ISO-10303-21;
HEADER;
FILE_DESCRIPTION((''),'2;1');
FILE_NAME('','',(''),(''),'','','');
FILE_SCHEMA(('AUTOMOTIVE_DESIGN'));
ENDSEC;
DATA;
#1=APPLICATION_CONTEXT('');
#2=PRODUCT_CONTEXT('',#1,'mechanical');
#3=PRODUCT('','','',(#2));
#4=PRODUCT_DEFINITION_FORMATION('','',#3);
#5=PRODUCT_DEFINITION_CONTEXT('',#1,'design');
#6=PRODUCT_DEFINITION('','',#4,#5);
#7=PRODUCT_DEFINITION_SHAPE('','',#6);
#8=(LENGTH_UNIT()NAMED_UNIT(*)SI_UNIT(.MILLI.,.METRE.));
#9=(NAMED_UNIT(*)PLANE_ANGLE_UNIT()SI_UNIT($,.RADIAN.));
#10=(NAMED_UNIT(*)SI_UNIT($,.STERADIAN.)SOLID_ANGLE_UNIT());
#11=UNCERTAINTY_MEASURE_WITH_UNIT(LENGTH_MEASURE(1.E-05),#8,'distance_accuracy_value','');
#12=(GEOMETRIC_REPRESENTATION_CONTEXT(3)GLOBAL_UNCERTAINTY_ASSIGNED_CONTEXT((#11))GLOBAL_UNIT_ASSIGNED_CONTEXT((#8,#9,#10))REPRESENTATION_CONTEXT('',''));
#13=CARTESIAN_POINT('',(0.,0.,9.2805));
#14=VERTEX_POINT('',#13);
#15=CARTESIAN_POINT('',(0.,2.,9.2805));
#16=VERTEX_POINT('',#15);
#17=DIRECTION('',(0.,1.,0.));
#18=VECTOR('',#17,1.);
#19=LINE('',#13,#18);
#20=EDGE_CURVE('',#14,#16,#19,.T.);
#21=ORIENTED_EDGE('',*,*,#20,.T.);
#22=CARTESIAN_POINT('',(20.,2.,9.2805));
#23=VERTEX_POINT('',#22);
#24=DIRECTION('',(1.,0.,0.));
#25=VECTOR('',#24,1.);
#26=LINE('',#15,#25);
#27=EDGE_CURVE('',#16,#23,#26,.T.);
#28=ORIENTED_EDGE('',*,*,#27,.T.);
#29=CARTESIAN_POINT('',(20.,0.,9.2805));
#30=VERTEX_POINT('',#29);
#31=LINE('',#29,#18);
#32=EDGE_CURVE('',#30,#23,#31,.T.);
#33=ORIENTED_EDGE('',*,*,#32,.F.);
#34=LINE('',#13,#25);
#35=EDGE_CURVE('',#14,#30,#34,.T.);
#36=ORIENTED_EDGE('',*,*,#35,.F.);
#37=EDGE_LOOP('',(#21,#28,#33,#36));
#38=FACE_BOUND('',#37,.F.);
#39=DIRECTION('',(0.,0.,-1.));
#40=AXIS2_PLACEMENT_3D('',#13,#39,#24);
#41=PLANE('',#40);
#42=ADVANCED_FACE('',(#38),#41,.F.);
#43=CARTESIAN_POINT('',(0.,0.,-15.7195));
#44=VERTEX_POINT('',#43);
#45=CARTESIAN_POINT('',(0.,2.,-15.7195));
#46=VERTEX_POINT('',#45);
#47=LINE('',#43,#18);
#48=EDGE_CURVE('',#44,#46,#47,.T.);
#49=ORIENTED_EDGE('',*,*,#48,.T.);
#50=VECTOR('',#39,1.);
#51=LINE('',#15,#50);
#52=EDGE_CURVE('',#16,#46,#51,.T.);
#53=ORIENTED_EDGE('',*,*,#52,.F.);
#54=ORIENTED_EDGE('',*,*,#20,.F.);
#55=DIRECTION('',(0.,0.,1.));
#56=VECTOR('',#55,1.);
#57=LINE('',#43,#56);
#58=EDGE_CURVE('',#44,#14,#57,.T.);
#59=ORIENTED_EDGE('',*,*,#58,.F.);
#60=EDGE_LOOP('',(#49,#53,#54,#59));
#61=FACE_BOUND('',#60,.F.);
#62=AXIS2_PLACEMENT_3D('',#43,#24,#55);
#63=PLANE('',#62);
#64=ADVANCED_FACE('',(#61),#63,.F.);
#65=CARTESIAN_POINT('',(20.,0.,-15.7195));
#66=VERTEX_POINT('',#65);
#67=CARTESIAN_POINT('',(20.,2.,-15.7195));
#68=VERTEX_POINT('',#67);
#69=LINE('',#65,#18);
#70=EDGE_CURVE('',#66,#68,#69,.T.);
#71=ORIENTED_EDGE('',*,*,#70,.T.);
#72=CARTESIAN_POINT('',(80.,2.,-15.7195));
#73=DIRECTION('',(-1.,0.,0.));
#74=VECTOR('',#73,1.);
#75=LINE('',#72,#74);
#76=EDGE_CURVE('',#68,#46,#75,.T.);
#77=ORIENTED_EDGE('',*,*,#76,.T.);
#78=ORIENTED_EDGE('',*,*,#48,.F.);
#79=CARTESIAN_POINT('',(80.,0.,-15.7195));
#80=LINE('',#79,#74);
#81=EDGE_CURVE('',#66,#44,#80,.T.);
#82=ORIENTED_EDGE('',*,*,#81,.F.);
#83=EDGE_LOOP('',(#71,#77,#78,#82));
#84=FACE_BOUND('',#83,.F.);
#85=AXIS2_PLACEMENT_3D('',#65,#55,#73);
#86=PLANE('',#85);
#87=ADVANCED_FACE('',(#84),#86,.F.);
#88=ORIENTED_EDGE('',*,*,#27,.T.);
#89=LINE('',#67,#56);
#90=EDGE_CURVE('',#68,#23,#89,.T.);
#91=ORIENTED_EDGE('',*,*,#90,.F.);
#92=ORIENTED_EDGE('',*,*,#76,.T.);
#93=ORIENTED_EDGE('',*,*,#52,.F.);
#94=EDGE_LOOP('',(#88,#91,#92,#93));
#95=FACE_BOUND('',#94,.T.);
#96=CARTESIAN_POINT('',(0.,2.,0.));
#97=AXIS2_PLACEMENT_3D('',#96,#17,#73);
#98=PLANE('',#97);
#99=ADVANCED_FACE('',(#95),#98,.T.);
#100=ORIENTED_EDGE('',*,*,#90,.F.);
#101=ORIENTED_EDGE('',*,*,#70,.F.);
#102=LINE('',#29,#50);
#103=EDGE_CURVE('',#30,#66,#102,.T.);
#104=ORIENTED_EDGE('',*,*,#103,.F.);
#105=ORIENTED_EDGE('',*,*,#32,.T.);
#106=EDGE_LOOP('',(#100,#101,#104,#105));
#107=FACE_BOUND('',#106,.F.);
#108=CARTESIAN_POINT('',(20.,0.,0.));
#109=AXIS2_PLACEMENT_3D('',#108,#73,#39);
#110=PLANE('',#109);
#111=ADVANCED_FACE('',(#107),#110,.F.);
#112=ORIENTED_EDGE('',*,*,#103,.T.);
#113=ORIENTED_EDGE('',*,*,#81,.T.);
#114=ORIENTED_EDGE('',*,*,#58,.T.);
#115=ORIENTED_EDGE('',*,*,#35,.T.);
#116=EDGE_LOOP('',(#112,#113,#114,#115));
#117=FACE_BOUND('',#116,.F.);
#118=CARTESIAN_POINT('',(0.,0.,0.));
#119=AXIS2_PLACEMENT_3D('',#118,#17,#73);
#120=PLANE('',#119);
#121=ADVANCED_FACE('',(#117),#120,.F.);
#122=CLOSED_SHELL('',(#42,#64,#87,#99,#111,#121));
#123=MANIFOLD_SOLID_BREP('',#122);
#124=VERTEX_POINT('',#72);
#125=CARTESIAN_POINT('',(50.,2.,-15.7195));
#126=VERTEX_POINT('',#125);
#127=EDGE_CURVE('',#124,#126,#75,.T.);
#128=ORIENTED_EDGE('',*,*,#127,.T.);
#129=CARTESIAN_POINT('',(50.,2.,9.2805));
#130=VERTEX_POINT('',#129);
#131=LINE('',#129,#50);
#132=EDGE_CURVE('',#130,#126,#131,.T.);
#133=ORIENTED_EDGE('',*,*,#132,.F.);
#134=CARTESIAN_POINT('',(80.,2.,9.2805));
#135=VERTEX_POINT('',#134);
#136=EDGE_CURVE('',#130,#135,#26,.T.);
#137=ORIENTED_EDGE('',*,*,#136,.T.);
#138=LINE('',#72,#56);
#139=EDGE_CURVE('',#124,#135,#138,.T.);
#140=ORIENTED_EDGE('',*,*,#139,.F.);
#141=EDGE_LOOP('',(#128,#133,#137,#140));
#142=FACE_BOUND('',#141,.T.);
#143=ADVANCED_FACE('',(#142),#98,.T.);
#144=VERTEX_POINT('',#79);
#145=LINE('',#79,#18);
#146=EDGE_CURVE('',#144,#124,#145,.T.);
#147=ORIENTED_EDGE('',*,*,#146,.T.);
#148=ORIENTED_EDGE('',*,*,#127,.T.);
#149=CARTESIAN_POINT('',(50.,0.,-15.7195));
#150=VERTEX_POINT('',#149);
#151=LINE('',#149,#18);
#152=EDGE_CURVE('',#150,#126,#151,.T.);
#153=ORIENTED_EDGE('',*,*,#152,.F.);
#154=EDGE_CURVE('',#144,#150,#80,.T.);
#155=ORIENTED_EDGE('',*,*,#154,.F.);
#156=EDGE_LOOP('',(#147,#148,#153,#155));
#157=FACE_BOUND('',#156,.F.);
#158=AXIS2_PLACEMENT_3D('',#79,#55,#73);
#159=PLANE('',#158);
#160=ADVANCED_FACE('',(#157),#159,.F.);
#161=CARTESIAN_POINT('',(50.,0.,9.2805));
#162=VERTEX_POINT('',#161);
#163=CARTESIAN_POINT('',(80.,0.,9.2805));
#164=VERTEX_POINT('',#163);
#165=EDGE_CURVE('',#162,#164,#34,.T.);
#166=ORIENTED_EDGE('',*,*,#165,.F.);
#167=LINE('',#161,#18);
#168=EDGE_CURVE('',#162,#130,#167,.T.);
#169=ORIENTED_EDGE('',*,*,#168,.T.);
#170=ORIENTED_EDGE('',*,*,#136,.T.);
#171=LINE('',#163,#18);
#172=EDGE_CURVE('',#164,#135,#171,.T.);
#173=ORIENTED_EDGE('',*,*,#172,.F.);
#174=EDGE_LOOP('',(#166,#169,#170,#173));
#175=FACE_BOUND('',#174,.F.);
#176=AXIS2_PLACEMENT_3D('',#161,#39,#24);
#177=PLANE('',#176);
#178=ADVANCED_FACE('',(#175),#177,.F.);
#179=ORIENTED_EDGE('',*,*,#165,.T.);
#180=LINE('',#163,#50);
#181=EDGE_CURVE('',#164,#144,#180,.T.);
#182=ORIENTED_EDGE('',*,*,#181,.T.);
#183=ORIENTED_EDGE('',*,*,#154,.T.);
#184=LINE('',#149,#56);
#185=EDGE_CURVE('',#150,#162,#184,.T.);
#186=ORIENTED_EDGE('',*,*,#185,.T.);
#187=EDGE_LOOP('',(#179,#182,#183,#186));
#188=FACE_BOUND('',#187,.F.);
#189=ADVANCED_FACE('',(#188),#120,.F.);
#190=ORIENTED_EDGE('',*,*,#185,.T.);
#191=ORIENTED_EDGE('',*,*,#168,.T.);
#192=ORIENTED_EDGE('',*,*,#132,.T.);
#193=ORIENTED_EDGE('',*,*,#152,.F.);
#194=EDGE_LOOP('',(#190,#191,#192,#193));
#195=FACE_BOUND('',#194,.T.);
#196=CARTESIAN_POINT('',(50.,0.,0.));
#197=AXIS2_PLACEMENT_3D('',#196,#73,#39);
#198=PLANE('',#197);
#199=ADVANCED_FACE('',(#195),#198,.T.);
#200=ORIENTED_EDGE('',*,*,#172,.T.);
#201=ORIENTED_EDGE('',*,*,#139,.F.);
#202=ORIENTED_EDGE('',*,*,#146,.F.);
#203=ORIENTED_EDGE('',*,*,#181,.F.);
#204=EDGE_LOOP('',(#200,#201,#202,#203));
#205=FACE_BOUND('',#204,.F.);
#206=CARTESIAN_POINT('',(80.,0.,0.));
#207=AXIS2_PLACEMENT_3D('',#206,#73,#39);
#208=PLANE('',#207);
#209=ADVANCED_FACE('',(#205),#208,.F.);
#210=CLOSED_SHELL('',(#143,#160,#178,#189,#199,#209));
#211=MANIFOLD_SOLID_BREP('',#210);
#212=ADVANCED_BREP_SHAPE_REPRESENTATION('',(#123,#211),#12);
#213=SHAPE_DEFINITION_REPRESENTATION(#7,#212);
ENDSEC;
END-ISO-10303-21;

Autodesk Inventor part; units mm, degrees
ref_plane "YZ Plane" through (0, 0, 0) normal (1, 0, 0) x (0, 1, 0)
ref_plane "XZ Plane" through (0, 0, 0) normal (0, 1, 0) x (-1, 0, 0)
ref_plane "XY Plane" through (0, 0, 0) normal (0, 0, 1) x (1, 0, 0)
sketch "Náčrt1" plane through (0, 0, 0) normal (0, 1, 0) x (-1, 0, 0)
  line L0 (0, -21.3939) -> (0, 14.3929) projected
  line L1 (-96, 0) -> (16, 0) projected
  line L2 (0, 9.2805) -> (-80, 9.2805)
  line L3 (-80, 9.2805) -> (-80, -15.7195)
  line L4 (-80, -15.7195) -> (0, -15.7195)
  line L5 (0, -15.7195) -> (0, 9.2805)
  line L6 (-20, 9.2805) -> (-20, -15.7195)
  line L7 (-50, 9.2805) -> (-50, -16.2815)
  point P0 (0, 0)
  point P1 (-50, -15.7195)
  point P2 (0, -15.7195)
  dimension "d0" = 25
  dimension "d1" = 80
  dimension "d2" = 20
  dimension "d3" = 30
extrude "Vysunutí1" add sketch "Náčrt1" along normal blind 2 contours L4 L6 L1 L0 | L1 L6 L2 L0 | L4 L3 L1 L7 | L1 L3 L2 L7
properties part number "Krytka"
